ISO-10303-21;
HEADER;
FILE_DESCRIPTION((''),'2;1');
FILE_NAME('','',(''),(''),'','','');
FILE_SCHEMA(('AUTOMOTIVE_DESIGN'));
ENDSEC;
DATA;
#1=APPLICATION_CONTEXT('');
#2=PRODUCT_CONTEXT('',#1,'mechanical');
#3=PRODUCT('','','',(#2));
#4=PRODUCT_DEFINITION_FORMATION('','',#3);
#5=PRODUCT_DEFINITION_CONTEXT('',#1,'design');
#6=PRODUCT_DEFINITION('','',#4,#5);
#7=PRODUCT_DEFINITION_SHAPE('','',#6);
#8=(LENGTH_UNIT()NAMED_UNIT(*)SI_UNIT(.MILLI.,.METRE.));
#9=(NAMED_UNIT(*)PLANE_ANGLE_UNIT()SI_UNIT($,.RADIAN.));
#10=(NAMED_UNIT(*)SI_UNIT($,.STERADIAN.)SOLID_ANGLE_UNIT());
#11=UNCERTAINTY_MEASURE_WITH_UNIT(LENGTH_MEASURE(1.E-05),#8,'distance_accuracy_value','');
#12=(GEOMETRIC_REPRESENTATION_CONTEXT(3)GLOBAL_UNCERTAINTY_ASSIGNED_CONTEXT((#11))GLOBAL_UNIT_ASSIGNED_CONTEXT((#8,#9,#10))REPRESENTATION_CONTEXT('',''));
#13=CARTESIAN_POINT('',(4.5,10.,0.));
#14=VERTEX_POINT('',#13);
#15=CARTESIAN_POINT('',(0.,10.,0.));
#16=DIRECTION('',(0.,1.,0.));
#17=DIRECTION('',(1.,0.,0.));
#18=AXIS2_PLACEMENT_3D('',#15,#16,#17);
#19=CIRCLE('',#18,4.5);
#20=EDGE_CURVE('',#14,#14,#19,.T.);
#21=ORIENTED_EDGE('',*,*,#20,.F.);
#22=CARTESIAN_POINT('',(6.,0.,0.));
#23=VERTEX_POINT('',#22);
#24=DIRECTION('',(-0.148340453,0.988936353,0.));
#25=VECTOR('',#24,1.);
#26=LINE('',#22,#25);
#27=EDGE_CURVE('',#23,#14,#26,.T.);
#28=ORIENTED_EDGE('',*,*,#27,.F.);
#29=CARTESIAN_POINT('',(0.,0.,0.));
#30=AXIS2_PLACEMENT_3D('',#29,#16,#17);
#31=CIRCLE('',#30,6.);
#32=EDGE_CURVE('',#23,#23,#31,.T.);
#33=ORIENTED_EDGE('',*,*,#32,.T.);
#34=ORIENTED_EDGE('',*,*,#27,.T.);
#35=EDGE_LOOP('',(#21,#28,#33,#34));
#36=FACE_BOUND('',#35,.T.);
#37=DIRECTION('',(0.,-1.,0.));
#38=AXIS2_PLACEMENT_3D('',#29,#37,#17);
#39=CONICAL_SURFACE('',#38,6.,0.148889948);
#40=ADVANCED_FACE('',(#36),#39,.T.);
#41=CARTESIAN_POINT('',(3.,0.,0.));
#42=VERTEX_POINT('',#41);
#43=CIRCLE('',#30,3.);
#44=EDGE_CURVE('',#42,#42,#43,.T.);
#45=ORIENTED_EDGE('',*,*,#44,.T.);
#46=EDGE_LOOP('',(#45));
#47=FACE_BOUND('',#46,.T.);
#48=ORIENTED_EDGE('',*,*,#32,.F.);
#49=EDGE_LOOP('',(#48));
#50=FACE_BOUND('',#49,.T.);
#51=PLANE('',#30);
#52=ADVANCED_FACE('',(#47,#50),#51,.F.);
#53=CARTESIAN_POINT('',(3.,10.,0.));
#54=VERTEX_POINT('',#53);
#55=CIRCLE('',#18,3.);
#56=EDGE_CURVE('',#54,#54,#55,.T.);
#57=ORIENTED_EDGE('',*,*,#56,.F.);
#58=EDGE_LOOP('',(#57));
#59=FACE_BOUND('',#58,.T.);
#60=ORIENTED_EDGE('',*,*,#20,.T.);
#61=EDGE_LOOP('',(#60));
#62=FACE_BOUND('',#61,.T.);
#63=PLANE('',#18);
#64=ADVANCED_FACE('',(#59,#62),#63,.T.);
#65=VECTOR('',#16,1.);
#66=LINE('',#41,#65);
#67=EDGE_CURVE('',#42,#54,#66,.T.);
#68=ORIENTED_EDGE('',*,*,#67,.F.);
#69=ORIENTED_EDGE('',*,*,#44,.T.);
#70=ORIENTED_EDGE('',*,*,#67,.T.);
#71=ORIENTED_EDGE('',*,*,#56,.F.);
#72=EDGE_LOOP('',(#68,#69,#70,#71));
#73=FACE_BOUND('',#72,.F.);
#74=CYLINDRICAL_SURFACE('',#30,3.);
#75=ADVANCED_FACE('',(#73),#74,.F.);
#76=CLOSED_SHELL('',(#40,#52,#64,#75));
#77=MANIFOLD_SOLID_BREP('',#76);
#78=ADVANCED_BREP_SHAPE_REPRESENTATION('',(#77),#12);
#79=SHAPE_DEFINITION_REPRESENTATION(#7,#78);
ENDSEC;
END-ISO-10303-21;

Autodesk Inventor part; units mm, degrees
ref_plane "YZ Plane" through (0, 0, 0) normal (1, 0, 0) x (0, 1, 0)
ref_plane "XZ Plane" through (0, 0, 0) normal (0, 1, 0) x (-1, 0, 0)
ref_plane "XY Plane" through (0, 0, 0) normal (0, 0, 1) x (1, 0, 0)
sketch "Sketch1" plane through (0, 0, 0) normal (0, 0, 1) x (1, 0, 0)
  line L0 (0, 0) -> (0, 10)
  line L1 (3, 0) -> (3, 10)
  line L2 (3, 0) -> (6, 0)
  line L3 (6, 0) -> (4.5, 10)
  line L4 (4.5, 10) -> (3, 10)
  dimension "d0" = 10
  dimension "d1" = 6
  dimension "d2" = 12
  dimension "d3" = 9
revolve "Revolution1" add sketch "Sketch1" angle 360 about axis through (0, 0, 0) along (0, 1, 0)
properties part number "Idler Spacer" material "ABS Plastic"
